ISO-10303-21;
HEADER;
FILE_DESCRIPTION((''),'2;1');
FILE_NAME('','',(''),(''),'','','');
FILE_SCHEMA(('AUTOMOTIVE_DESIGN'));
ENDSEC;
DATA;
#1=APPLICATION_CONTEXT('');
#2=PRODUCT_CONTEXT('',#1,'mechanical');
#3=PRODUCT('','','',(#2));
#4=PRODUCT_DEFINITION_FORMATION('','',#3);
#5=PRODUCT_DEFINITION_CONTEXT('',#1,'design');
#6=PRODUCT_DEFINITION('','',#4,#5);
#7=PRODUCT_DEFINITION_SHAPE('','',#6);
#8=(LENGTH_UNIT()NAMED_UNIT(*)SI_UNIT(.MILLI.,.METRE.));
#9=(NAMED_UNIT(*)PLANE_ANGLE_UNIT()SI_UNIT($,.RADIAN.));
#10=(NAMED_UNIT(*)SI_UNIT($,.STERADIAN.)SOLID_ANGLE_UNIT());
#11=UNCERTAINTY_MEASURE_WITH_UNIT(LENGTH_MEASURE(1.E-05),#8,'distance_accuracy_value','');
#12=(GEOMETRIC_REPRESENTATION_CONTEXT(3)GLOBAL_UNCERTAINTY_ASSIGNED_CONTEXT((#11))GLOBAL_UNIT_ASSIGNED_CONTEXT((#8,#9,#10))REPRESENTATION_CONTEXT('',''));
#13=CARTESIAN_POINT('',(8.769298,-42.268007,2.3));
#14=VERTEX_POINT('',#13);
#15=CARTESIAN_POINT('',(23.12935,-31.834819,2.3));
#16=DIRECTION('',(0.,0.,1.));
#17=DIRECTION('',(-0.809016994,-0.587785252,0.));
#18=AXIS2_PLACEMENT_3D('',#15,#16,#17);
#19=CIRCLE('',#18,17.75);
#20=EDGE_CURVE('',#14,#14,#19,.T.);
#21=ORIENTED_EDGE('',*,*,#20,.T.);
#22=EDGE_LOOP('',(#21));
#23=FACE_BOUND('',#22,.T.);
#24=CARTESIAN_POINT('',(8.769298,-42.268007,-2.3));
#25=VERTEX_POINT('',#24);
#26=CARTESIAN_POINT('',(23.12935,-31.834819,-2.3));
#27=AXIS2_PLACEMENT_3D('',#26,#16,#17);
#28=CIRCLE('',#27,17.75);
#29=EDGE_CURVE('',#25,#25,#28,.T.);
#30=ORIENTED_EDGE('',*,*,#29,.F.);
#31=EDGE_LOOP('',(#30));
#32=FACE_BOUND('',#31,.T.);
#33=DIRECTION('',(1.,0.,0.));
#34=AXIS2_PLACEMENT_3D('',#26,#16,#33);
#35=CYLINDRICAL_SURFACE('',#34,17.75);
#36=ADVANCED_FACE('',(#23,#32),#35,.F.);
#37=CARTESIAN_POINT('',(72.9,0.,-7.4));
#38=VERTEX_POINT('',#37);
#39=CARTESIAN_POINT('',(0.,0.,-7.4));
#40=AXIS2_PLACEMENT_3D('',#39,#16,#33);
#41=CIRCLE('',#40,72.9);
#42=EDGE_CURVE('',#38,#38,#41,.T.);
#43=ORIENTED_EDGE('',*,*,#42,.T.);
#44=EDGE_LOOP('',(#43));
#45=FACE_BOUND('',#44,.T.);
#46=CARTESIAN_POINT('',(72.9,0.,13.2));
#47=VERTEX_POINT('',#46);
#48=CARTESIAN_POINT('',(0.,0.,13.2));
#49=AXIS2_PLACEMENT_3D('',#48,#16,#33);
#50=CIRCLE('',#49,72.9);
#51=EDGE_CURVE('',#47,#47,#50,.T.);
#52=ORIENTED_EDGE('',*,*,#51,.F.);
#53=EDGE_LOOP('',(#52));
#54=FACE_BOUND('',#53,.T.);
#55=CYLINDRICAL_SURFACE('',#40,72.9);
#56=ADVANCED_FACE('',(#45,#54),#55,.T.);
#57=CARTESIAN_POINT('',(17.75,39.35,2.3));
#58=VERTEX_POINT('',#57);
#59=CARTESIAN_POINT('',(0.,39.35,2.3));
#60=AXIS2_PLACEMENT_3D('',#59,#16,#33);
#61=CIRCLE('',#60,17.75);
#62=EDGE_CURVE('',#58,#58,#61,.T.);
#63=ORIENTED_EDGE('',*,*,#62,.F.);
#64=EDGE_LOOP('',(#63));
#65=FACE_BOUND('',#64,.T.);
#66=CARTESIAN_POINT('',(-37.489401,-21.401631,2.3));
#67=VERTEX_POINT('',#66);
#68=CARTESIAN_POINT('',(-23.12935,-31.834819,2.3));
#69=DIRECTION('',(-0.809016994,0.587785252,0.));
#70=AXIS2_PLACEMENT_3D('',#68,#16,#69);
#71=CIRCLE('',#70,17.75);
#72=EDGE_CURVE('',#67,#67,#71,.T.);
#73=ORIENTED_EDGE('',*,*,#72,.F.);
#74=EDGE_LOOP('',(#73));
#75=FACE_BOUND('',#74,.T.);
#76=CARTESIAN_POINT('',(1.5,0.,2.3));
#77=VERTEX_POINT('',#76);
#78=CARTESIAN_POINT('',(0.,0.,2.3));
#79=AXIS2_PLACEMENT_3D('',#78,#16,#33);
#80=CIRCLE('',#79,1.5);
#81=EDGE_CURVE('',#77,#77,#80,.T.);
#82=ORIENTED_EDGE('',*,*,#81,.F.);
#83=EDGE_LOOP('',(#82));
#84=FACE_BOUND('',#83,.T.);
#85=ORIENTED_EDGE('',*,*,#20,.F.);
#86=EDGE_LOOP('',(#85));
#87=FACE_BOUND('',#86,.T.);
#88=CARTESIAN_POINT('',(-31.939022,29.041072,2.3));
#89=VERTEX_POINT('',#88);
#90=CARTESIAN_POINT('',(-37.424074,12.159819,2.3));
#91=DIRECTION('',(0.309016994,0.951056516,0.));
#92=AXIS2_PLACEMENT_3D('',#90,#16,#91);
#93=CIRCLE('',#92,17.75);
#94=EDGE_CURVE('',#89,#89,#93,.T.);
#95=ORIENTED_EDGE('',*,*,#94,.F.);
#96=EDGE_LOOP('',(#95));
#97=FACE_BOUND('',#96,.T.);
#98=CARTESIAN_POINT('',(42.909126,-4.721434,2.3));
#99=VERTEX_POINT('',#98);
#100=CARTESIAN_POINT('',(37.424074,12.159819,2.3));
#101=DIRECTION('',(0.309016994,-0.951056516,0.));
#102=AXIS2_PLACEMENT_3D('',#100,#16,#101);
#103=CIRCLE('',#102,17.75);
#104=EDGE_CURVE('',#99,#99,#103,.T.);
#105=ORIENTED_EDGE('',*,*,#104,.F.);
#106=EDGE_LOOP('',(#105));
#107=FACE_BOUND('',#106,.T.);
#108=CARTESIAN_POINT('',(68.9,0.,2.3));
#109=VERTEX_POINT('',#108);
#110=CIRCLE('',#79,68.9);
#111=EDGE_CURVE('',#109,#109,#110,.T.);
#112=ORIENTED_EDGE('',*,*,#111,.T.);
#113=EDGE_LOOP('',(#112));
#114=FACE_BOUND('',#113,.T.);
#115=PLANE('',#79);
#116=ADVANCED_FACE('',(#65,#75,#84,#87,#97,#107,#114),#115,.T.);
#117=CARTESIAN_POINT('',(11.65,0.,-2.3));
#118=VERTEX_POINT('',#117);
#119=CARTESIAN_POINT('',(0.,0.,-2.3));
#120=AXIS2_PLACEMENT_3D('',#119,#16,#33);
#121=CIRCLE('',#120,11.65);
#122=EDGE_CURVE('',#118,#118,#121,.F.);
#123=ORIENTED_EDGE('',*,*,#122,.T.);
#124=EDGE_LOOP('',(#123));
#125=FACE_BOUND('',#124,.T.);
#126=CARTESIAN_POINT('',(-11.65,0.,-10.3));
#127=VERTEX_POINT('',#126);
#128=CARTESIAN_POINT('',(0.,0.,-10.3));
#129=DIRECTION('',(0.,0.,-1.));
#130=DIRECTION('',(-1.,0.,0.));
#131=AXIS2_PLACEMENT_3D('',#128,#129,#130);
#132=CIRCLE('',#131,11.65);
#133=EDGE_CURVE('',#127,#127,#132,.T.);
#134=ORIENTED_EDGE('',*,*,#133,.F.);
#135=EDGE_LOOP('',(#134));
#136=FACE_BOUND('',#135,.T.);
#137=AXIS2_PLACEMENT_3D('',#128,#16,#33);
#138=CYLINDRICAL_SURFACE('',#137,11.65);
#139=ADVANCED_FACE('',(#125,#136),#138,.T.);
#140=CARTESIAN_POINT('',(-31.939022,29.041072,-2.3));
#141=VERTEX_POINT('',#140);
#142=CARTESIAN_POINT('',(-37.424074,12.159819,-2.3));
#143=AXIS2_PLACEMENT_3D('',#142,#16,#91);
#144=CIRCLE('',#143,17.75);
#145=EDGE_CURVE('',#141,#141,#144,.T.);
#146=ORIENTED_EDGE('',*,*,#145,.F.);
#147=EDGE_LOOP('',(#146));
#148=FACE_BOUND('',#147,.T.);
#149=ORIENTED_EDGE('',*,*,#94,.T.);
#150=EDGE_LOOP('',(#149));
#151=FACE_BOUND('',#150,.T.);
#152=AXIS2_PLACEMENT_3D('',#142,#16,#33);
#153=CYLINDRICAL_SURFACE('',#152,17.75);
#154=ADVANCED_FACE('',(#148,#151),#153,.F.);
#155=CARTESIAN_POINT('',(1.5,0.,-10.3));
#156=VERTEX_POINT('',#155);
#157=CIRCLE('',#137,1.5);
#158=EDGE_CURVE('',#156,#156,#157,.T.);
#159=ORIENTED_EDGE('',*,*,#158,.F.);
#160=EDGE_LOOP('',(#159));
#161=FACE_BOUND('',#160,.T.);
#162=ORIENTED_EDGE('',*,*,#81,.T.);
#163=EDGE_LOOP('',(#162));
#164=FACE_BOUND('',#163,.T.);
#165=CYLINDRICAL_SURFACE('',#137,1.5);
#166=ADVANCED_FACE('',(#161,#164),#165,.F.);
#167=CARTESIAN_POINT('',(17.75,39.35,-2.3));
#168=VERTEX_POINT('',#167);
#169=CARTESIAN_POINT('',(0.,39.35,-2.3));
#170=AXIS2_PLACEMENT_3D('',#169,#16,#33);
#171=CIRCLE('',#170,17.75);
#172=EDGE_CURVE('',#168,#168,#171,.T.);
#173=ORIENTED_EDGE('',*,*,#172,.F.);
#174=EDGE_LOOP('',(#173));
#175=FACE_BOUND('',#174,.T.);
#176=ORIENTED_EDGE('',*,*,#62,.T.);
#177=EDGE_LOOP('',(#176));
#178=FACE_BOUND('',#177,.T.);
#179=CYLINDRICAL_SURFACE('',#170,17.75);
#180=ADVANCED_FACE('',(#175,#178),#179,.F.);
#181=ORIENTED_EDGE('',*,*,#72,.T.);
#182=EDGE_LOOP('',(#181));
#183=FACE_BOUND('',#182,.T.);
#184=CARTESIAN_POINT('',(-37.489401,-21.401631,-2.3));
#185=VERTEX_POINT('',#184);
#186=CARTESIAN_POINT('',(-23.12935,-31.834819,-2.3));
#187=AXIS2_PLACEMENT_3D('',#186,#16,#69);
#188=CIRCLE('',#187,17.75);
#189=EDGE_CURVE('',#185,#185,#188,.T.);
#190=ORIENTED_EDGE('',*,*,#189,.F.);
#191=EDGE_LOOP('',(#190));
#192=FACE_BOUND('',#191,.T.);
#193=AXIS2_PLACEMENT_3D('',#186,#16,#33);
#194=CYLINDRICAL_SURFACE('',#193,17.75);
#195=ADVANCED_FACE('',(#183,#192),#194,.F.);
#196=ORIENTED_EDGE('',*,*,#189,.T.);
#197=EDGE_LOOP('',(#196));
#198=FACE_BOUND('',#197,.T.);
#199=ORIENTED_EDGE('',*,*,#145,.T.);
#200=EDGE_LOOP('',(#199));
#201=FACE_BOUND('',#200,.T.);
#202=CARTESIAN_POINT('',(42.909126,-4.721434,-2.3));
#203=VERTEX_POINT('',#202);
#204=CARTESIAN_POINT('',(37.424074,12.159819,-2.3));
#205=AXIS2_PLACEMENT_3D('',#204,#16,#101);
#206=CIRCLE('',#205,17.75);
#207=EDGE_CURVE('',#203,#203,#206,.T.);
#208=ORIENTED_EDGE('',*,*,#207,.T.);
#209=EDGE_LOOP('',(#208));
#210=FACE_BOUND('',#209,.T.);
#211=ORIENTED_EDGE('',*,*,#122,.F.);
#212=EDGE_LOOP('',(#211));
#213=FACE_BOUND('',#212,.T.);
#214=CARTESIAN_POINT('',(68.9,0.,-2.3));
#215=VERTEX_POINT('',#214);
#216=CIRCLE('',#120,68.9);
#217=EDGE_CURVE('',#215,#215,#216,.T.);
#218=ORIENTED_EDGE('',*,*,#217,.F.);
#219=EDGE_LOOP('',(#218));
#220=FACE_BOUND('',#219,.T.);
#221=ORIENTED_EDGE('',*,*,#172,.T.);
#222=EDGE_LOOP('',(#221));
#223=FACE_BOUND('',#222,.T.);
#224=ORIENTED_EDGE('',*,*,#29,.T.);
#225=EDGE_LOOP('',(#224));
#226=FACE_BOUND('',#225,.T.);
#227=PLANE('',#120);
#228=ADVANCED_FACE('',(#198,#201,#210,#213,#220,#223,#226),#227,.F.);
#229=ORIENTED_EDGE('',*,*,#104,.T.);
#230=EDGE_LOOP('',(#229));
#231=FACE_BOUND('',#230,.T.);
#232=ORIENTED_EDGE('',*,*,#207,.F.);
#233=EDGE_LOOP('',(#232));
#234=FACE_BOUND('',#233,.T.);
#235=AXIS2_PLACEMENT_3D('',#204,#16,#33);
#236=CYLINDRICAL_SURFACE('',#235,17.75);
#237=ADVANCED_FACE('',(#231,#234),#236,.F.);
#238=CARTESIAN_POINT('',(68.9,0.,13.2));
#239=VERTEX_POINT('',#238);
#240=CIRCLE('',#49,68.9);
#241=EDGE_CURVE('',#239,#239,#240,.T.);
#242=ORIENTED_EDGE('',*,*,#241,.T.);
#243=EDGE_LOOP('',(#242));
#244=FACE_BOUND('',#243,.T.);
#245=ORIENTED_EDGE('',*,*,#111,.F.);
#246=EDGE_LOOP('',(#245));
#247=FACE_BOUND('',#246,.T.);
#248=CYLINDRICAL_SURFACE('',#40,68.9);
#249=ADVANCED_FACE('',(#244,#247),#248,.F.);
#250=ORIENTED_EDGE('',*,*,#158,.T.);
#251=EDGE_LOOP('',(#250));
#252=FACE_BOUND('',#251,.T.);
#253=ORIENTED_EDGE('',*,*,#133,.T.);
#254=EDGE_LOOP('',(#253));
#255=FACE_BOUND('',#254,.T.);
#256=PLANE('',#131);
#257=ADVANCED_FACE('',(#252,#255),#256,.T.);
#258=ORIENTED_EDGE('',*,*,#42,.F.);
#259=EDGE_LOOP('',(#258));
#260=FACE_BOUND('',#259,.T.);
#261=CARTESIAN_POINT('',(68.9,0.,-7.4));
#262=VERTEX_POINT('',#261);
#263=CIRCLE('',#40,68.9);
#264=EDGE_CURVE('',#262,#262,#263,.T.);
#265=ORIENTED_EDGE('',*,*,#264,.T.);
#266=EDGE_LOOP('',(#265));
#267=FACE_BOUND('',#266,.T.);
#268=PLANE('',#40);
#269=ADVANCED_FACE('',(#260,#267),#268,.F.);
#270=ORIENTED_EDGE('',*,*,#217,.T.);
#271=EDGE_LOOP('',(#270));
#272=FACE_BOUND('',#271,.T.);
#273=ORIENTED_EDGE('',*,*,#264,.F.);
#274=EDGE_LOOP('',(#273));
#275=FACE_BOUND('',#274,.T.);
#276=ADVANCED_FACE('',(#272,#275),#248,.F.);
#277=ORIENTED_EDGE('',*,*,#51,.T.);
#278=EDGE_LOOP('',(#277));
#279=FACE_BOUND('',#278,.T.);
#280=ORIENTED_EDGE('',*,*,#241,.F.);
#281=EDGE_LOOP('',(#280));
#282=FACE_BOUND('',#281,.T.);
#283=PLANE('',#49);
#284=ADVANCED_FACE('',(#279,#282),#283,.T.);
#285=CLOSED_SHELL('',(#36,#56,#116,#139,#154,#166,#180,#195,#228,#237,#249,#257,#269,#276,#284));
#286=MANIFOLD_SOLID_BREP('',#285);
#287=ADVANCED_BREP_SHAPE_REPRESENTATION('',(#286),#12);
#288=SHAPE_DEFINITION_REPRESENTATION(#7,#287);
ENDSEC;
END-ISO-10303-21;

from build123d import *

# Parameters (mm, degrees)
SKETCH1_R                = 68.9
BOSS_EXTRUDE1_DEPTH      = 2.3
SKETCH2_R                = 17.75
CUT_EXTRUDE1_DEPTH       = 98.54783442
CIRPATTERN1_COUNT        = 5
BOSS_EXTRUDE2_DEPTH      = 10.9
BOSS_EXTRUDE2_DEPTH_BACK = 9.7
SKETCH3_R                = 72.9
SKETCH3_R_2              = 68.9
SKETCH4_R                = 11.65
BOSS_EXTRUDE3_DEPTH      = 8
SKETCH6_R                = 1.5
CUT_EXTRUDE2_DEPTH       = 104.863275512


with BuildPart() as part:
    # Sketch1 → Boss-Extrude1 (new, symmetric)
    with BuildSketch(Plane.XY):
        Circle(SKETCH1_R)
    extrude(amount=BOSS_EXTRUDE1_DEPTH, both=True)

    # Sketch2 → Cut-Extrude1 (cut, through all)
    with BuildSketch(Plane.XY.offset(2.3)):
        with Locations((0, 39.35)):
            Circle(SKETCH2_R)
    cut_extrude1 = extrude(amount=-CUT_EXTRUDE1_DEPTH, mode=Mode.SUBTRACT)

    # CirPattern1: Cut-Extrude1 ×5 about axis
    cirpattern1_axis = Axis((0, 0, -88.99), (0, 0, 1))
    for i in range(1, CIRPATTERN1_COUNT):
        add(cut_extrude1.rotate(cirpattern1_axis, i * 360 / CIRPATTERN1_COUNT), mode=Mode.SUBTRACT)

    # Sketch3 → Boss-Extrude2 (add, two sides: drawn at the far end of the back side and taken through both)
    with BuildSketch(Plane.XY.offset(2.3).offset(-BOSS_EXTRUDE2_DEPTH_BACK)):
        Circle(SKETCH3_R)
        Circle(SKETCH3_R_2, mode=Mode.SUBTRACT)
    extrude(amount=BOSS_EXTRUDE2_DEPTH + BOSS_EXTRUDE2_DEPTH_BACK)

    # Sketch4 → Boss-Extrude3 (add)
    with BuildSketch(Plane(origin=(0, 0, -2.3), x_dir=(-1, 0, 0), z_dir=(0, 0, -1))):
        Circle(SKETCH4_R)
    extrude(amount=BOSS_EXTRUDE3_DEPTH)

    # Sketch6 → Cut-Extrude2 (cut, through all)
    with BuildSketch(Plane.XY.offset(2.3)):
        Circle(SKETCH6_R)
    extrude(amount=-CUT_EXTRUDE2_DEPTH, mode=Mode.SUBTRACT)


solid = part.part
